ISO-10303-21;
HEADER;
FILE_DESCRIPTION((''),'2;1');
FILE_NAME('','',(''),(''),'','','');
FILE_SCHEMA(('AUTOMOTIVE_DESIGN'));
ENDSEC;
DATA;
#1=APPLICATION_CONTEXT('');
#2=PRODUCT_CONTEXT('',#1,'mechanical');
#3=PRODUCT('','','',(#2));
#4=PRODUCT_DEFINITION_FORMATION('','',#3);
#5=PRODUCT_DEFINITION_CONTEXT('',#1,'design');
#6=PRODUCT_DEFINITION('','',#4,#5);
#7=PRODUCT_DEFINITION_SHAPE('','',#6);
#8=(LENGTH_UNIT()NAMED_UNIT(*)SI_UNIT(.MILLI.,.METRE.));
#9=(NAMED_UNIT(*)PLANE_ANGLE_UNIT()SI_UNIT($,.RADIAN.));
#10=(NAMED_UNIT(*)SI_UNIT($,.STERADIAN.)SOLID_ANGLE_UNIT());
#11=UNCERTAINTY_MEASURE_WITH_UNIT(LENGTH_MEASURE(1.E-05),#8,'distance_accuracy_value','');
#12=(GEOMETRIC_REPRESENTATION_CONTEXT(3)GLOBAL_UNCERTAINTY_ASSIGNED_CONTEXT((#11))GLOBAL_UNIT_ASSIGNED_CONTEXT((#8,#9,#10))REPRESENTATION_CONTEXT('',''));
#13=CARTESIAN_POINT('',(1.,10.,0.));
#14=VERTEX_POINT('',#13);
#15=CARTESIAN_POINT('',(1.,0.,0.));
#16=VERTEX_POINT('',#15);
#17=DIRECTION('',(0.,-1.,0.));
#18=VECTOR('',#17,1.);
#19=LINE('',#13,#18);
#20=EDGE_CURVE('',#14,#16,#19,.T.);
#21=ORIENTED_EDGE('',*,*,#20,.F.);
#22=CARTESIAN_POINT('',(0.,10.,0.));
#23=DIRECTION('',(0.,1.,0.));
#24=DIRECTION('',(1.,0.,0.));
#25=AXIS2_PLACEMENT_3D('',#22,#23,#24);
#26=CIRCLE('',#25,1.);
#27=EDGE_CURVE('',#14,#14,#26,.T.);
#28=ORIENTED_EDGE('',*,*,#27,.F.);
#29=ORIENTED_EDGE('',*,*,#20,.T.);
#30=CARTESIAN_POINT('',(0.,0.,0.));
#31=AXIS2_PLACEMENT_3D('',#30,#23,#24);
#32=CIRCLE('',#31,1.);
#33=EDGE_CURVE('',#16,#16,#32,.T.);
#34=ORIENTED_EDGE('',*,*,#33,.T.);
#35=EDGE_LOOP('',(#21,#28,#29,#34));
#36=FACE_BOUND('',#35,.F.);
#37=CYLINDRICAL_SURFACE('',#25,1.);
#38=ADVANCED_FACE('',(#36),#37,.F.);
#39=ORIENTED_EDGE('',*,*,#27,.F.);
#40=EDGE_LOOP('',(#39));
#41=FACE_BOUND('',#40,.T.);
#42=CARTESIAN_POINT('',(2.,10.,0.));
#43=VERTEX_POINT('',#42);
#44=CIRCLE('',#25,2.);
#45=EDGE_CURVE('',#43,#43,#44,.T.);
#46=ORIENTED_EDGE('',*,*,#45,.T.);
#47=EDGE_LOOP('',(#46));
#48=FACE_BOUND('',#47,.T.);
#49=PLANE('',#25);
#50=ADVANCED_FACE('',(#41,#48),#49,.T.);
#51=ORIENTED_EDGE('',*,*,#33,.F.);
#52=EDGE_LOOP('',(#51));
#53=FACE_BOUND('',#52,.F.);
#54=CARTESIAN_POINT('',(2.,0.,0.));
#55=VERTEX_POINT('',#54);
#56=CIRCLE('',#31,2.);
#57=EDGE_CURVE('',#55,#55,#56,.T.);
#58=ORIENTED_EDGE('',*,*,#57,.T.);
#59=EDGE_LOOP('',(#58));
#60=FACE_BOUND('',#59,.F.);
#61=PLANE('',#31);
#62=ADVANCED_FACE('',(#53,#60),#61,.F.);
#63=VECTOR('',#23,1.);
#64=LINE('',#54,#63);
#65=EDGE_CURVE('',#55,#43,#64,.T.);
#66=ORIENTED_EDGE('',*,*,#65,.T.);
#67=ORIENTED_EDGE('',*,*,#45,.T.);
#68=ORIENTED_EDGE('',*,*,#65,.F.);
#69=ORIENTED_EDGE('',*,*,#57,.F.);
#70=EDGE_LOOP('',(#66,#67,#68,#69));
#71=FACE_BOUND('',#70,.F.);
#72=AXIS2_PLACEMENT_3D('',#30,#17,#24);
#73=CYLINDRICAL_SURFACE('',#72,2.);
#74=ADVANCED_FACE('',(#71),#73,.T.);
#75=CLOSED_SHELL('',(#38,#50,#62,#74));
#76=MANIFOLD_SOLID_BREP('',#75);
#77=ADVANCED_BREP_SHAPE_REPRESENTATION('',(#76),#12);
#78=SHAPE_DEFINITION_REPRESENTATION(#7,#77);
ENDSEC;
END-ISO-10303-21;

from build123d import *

# Parameters (mm, degrees)
SKETCH2_R           = 2
BOSS_EXTRUDE1_DEPTH = 10
SKETCH3_R           = 1
CUT_EXTRUDE1_DEPTH  = 10


with BuildPart() as part:
    # Sketch2 → Boss-Extrude1 (new body)
    with BuildSketch(Plane(origin=(0, 0, 0), x_dir=(1, 0, 0), z_dir=(0, 1, 0))):
        Circle(SKETCH2_R)
    extrude(amount=BOSS_EXTRUDE1_DEPTH)

    # Sketch3 → Cut-Extrude1 (cut)
    with BuildSketch(Plane(origin=(0, 10, 0), x_dir=(1, 0, 0), z_dir=(0, 1, 0))):
        Circle(SKETCH3_R)
    extrude(amount=-CUT_EXTRUDE1_DEPTH, mode=Mode.SUBTRACT)


solid = part.part
